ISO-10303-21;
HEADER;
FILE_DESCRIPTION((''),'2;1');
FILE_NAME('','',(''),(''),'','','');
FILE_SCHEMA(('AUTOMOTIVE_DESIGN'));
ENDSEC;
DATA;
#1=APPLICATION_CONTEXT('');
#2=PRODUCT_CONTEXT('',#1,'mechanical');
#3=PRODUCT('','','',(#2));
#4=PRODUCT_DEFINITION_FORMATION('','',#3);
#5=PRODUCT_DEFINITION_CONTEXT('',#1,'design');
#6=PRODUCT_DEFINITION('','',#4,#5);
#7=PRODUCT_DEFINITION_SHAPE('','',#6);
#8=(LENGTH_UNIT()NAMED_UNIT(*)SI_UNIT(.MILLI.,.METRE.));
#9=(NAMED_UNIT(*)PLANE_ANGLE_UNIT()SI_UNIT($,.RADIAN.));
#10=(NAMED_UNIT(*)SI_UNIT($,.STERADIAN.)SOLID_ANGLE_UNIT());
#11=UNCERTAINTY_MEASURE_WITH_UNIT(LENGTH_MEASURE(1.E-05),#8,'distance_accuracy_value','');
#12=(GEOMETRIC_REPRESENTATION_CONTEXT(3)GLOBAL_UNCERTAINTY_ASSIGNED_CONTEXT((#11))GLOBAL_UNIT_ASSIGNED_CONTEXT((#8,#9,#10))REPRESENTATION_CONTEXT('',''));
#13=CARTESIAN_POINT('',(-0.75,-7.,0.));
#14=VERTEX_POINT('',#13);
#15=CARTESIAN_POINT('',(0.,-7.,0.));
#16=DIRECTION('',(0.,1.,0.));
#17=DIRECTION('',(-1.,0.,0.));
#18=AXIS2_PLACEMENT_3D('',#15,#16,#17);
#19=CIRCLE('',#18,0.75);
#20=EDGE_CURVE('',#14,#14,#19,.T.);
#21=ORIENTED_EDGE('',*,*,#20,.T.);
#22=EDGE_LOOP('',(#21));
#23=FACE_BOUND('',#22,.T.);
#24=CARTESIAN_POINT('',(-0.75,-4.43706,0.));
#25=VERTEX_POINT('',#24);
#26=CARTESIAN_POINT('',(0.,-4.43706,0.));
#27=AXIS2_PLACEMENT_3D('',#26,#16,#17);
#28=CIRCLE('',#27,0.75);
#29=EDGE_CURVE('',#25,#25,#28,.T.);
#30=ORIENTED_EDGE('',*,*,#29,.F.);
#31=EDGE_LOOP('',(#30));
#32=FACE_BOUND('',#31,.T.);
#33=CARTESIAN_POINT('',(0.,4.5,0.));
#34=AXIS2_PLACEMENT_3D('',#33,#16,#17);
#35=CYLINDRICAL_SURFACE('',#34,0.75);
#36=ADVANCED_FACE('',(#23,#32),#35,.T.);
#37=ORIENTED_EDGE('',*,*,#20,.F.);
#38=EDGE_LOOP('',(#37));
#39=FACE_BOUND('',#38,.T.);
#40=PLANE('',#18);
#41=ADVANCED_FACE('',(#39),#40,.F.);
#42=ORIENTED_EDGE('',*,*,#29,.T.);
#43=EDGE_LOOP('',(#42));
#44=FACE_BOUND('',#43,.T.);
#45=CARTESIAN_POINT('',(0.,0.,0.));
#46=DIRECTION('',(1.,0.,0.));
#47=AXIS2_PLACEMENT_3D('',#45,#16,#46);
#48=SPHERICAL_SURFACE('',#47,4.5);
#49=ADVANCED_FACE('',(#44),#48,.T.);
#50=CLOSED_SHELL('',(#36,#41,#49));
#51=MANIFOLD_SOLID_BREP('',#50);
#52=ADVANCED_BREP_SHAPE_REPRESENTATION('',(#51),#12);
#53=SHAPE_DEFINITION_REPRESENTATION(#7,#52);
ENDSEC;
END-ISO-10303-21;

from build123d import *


with BuildPart() as part:
    # Sketch1 → Revolve4 (revolve)
    with BuildSketch(Plane.XY):
        with BuildLine():
            Line((0, 4.5), (0, -7))
            Line((0, -7), (0.75, -7))
            Line((0.75, -7), (0.75, -4.437059837))
            ThreePointArc((0.75, -4.437059837), (4.484237353, 0.376318171), (0, 4.5))
        make_face()
    revolve(axis=Axis((0, 4.5, 0), (0, -1, 0)))


solid = part.part
